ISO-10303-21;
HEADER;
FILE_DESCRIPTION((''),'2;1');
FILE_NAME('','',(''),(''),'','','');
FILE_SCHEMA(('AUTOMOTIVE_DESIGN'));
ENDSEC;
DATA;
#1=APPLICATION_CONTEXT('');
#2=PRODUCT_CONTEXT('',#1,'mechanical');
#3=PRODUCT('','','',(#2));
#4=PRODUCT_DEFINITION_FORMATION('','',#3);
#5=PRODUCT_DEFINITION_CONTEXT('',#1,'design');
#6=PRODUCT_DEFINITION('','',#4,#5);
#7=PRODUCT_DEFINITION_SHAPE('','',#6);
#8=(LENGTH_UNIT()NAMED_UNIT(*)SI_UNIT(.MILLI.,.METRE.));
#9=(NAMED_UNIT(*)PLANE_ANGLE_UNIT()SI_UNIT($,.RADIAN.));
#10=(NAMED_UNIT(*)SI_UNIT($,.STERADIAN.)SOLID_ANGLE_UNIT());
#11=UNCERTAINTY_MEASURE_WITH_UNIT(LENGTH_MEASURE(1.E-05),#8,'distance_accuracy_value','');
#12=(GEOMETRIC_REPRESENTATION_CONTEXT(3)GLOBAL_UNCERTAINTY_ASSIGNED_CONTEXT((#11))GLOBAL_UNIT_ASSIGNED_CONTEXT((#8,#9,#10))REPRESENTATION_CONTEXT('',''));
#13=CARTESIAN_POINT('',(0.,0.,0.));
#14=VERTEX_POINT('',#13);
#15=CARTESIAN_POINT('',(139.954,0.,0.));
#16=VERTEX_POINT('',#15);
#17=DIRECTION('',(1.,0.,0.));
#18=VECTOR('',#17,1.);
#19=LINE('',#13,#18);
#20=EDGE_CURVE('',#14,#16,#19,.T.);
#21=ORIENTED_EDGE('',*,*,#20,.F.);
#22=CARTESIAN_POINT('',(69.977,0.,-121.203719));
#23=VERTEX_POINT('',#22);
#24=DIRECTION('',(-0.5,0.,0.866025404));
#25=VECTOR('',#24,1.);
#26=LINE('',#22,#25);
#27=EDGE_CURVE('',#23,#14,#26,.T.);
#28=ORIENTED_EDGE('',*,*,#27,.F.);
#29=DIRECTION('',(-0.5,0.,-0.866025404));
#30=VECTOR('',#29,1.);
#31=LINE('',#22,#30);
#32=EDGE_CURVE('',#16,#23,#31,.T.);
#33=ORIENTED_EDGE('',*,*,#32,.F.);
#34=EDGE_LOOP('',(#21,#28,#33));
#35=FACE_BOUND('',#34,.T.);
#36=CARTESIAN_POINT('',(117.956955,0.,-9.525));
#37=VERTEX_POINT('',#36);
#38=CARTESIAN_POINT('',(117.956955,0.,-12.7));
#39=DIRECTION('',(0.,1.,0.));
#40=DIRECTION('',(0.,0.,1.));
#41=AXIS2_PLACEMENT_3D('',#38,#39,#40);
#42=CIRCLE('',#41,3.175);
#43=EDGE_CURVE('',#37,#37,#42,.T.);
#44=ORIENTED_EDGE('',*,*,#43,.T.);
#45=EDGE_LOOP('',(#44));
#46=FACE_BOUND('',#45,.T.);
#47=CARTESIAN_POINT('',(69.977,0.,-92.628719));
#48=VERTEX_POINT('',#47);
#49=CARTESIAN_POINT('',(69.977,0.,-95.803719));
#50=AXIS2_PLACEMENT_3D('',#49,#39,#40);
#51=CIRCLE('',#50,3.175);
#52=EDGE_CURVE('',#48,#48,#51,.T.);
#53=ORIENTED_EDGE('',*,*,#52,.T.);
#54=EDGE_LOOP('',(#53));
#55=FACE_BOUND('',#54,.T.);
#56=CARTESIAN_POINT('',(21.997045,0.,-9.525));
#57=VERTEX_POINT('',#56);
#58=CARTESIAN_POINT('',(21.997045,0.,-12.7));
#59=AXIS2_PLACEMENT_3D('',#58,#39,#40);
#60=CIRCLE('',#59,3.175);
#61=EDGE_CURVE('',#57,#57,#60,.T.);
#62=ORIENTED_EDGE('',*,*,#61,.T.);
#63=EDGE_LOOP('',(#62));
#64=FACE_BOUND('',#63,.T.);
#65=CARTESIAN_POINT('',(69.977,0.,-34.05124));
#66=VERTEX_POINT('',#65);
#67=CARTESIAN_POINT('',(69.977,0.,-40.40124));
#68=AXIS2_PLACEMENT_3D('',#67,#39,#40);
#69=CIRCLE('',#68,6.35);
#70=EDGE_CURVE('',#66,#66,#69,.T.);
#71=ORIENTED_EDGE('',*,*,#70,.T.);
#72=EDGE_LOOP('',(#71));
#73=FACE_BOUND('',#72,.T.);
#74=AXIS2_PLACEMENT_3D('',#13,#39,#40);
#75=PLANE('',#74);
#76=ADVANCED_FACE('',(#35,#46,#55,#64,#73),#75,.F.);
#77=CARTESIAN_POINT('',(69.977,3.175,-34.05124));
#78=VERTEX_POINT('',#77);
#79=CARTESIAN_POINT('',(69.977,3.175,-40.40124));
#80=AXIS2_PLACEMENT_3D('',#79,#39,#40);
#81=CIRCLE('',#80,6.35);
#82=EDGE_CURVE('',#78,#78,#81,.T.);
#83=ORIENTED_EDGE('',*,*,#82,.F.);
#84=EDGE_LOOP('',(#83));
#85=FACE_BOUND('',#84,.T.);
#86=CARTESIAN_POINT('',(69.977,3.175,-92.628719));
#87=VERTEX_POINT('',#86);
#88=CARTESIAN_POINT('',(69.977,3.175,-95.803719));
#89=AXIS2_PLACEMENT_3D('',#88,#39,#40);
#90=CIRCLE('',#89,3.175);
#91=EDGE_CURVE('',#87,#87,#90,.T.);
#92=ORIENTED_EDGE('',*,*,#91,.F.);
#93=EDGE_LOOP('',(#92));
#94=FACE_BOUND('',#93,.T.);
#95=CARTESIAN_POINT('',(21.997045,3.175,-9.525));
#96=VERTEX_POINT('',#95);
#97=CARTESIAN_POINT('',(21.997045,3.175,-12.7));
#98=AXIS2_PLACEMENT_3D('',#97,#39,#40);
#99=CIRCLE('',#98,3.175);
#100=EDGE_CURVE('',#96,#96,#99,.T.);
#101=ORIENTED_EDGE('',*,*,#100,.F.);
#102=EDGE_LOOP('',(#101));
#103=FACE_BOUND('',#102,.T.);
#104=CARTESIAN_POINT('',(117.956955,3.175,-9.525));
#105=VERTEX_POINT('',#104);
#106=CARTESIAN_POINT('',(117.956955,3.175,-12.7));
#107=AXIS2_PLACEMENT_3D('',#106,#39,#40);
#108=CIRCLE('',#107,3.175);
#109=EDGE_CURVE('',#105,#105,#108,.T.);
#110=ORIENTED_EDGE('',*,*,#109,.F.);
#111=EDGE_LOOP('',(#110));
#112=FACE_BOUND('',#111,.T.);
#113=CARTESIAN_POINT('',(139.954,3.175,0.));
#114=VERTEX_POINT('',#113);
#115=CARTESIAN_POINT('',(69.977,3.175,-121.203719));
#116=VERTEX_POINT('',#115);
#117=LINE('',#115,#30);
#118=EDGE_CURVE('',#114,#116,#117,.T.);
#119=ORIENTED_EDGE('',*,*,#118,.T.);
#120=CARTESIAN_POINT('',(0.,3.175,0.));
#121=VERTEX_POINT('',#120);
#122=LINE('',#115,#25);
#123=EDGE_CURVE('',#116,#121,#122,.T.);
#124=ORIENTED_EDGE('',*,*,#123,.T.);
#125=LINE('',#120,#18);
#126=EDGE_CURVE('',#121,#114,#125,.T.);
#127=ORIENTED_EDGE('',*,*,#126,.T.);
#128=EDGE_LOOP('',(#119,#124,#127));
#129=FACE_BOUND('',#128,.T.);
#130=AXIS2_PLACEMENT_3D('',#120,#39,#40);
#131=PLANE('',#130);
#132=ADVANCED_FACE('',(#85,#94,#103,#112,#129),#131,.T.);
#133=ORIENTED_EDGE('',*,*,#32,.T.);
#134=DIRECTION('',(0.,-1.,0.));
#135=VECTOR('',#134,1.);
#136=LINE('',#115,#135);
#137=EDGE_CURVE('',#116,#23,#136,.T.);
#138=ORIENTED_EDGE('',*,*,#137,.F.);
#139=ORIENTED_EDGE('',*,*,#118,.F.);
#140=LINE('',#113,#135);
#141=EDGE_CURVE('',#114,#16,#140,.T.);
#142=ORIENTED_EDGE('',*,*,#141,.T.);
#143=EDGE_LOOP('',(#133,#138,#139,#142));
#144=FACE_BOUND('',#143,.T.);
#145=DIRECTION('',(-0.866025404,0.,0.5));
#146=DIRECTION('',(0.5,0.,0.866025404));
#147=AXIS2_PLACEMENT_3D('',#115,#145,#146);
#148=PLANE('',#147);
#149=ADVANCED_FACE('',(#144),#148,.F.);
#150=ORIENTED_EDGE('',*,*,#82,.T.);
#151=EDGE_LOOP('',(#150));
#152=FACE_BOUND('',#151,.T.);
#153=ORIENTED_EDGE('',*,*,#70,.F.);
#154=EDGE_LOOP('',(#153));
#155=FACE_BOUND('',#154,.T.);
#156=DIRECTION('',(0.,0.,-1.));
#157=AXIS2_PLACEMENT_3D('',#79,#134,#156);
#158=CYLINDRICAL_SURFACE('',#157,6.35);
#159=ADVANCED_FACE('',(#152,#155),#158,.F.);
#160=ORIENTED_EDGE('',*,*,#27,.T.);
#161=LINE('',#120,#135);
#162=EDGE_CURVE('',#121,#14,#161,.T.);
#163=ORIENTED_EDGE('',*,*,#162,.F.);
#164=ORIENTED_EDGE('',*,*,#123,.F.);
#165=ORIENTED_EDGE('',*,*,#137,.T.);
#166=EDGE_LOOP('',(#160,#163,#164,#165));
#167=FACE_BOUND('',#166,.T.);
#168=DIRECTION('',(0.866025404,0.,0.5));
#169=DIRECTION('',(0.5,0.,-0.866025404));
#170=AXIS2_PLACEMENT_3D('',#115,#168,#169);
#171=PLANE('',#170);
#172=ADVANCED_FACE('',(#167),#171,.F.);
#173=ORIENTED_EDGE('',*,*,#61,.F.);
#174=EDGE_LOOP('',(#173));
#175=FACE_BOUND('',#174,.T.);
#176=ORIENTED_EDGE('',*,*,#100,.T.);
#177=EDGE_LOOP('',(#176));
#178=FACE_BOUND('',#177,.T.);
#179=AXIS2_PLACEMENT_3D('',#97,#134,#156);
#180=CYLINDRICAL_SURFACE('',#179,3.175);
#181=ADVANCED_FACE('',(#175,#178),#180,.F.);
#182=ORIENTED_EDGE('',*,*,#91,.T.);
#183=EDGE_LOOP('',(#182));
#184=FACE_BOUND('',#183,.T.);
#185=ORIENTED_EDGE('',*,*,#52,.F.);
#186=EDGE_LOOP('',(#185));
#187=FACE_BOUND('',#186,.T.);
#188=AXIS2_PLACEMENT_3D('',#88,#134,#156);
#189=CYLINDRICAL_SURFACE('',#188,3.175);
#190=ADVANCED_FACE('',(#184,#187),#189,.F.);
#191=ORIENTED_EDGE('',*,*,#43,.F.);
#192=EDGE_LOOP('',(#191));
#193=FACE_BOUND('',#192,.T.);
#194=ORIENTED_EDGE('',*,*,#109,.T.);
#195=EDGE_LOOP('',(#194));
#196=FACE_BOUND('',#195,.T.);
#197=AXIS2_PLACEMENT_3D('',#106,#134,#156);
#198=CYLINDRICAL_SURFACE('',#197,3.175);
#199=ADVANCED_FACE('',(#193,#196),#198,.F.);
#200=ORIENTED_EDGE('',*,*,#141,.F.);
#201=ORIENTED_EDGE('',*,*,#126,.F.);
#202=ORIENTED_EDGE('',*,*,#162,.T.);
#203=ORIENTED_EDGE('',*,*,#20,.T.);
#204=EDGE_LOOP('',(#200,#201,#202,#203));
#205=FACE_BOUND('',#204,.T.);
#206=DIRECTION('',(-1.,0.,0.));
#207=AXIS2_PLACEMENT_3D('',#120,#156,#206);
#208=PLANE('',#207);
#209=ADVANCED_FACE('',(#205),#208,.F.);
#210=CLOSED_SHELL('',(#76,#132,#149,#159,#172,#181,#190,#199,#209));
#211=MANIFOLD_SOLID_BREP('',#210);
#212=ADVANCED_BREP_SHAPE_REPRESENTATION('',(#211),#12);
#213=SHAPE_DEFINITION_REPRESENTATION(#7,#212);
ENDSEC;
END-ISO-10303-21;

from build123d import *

# Parameters (mm, degrees)
SKETCH1_R           = 6.35
SKETCH1_R_2         = 3.175
BOSS_EXTRUDE1_DEPTH = 3.175


with BuildPart() as part:
    # Sketch1 → Boss-Extrude1 (new body)
    with BuildSketch(Plane(origin=(0, 0, 0), x_dir=(1, 0, 0), z_dir=(0, 1, 0))):
        Polygon((0, 0), (139.954, 0), (69.977, 121.203719361), align=None)
        with Locations((69.977, 40.401239787)):
            Circle(SKETCH1_R, mode=Mode.SUBTRACT)
        with Locations((117.956954744, 12.7)):
            Circle(SKETCH1_R_2, mode=Mode.SUBTRACT)
        with Locations((21.997045256, 12.7)):
            Circle(SKETCH1_R_2, mode=Mode.SUBTRACT)
        with Locations((69.977, 95.803719361)):
            Circle(SKETCH1_R_2, mode=Mode.SUBTRACT)
    extrude(amount=BOSS_EXTRUDE1_DEPTH)


solid = part.part
